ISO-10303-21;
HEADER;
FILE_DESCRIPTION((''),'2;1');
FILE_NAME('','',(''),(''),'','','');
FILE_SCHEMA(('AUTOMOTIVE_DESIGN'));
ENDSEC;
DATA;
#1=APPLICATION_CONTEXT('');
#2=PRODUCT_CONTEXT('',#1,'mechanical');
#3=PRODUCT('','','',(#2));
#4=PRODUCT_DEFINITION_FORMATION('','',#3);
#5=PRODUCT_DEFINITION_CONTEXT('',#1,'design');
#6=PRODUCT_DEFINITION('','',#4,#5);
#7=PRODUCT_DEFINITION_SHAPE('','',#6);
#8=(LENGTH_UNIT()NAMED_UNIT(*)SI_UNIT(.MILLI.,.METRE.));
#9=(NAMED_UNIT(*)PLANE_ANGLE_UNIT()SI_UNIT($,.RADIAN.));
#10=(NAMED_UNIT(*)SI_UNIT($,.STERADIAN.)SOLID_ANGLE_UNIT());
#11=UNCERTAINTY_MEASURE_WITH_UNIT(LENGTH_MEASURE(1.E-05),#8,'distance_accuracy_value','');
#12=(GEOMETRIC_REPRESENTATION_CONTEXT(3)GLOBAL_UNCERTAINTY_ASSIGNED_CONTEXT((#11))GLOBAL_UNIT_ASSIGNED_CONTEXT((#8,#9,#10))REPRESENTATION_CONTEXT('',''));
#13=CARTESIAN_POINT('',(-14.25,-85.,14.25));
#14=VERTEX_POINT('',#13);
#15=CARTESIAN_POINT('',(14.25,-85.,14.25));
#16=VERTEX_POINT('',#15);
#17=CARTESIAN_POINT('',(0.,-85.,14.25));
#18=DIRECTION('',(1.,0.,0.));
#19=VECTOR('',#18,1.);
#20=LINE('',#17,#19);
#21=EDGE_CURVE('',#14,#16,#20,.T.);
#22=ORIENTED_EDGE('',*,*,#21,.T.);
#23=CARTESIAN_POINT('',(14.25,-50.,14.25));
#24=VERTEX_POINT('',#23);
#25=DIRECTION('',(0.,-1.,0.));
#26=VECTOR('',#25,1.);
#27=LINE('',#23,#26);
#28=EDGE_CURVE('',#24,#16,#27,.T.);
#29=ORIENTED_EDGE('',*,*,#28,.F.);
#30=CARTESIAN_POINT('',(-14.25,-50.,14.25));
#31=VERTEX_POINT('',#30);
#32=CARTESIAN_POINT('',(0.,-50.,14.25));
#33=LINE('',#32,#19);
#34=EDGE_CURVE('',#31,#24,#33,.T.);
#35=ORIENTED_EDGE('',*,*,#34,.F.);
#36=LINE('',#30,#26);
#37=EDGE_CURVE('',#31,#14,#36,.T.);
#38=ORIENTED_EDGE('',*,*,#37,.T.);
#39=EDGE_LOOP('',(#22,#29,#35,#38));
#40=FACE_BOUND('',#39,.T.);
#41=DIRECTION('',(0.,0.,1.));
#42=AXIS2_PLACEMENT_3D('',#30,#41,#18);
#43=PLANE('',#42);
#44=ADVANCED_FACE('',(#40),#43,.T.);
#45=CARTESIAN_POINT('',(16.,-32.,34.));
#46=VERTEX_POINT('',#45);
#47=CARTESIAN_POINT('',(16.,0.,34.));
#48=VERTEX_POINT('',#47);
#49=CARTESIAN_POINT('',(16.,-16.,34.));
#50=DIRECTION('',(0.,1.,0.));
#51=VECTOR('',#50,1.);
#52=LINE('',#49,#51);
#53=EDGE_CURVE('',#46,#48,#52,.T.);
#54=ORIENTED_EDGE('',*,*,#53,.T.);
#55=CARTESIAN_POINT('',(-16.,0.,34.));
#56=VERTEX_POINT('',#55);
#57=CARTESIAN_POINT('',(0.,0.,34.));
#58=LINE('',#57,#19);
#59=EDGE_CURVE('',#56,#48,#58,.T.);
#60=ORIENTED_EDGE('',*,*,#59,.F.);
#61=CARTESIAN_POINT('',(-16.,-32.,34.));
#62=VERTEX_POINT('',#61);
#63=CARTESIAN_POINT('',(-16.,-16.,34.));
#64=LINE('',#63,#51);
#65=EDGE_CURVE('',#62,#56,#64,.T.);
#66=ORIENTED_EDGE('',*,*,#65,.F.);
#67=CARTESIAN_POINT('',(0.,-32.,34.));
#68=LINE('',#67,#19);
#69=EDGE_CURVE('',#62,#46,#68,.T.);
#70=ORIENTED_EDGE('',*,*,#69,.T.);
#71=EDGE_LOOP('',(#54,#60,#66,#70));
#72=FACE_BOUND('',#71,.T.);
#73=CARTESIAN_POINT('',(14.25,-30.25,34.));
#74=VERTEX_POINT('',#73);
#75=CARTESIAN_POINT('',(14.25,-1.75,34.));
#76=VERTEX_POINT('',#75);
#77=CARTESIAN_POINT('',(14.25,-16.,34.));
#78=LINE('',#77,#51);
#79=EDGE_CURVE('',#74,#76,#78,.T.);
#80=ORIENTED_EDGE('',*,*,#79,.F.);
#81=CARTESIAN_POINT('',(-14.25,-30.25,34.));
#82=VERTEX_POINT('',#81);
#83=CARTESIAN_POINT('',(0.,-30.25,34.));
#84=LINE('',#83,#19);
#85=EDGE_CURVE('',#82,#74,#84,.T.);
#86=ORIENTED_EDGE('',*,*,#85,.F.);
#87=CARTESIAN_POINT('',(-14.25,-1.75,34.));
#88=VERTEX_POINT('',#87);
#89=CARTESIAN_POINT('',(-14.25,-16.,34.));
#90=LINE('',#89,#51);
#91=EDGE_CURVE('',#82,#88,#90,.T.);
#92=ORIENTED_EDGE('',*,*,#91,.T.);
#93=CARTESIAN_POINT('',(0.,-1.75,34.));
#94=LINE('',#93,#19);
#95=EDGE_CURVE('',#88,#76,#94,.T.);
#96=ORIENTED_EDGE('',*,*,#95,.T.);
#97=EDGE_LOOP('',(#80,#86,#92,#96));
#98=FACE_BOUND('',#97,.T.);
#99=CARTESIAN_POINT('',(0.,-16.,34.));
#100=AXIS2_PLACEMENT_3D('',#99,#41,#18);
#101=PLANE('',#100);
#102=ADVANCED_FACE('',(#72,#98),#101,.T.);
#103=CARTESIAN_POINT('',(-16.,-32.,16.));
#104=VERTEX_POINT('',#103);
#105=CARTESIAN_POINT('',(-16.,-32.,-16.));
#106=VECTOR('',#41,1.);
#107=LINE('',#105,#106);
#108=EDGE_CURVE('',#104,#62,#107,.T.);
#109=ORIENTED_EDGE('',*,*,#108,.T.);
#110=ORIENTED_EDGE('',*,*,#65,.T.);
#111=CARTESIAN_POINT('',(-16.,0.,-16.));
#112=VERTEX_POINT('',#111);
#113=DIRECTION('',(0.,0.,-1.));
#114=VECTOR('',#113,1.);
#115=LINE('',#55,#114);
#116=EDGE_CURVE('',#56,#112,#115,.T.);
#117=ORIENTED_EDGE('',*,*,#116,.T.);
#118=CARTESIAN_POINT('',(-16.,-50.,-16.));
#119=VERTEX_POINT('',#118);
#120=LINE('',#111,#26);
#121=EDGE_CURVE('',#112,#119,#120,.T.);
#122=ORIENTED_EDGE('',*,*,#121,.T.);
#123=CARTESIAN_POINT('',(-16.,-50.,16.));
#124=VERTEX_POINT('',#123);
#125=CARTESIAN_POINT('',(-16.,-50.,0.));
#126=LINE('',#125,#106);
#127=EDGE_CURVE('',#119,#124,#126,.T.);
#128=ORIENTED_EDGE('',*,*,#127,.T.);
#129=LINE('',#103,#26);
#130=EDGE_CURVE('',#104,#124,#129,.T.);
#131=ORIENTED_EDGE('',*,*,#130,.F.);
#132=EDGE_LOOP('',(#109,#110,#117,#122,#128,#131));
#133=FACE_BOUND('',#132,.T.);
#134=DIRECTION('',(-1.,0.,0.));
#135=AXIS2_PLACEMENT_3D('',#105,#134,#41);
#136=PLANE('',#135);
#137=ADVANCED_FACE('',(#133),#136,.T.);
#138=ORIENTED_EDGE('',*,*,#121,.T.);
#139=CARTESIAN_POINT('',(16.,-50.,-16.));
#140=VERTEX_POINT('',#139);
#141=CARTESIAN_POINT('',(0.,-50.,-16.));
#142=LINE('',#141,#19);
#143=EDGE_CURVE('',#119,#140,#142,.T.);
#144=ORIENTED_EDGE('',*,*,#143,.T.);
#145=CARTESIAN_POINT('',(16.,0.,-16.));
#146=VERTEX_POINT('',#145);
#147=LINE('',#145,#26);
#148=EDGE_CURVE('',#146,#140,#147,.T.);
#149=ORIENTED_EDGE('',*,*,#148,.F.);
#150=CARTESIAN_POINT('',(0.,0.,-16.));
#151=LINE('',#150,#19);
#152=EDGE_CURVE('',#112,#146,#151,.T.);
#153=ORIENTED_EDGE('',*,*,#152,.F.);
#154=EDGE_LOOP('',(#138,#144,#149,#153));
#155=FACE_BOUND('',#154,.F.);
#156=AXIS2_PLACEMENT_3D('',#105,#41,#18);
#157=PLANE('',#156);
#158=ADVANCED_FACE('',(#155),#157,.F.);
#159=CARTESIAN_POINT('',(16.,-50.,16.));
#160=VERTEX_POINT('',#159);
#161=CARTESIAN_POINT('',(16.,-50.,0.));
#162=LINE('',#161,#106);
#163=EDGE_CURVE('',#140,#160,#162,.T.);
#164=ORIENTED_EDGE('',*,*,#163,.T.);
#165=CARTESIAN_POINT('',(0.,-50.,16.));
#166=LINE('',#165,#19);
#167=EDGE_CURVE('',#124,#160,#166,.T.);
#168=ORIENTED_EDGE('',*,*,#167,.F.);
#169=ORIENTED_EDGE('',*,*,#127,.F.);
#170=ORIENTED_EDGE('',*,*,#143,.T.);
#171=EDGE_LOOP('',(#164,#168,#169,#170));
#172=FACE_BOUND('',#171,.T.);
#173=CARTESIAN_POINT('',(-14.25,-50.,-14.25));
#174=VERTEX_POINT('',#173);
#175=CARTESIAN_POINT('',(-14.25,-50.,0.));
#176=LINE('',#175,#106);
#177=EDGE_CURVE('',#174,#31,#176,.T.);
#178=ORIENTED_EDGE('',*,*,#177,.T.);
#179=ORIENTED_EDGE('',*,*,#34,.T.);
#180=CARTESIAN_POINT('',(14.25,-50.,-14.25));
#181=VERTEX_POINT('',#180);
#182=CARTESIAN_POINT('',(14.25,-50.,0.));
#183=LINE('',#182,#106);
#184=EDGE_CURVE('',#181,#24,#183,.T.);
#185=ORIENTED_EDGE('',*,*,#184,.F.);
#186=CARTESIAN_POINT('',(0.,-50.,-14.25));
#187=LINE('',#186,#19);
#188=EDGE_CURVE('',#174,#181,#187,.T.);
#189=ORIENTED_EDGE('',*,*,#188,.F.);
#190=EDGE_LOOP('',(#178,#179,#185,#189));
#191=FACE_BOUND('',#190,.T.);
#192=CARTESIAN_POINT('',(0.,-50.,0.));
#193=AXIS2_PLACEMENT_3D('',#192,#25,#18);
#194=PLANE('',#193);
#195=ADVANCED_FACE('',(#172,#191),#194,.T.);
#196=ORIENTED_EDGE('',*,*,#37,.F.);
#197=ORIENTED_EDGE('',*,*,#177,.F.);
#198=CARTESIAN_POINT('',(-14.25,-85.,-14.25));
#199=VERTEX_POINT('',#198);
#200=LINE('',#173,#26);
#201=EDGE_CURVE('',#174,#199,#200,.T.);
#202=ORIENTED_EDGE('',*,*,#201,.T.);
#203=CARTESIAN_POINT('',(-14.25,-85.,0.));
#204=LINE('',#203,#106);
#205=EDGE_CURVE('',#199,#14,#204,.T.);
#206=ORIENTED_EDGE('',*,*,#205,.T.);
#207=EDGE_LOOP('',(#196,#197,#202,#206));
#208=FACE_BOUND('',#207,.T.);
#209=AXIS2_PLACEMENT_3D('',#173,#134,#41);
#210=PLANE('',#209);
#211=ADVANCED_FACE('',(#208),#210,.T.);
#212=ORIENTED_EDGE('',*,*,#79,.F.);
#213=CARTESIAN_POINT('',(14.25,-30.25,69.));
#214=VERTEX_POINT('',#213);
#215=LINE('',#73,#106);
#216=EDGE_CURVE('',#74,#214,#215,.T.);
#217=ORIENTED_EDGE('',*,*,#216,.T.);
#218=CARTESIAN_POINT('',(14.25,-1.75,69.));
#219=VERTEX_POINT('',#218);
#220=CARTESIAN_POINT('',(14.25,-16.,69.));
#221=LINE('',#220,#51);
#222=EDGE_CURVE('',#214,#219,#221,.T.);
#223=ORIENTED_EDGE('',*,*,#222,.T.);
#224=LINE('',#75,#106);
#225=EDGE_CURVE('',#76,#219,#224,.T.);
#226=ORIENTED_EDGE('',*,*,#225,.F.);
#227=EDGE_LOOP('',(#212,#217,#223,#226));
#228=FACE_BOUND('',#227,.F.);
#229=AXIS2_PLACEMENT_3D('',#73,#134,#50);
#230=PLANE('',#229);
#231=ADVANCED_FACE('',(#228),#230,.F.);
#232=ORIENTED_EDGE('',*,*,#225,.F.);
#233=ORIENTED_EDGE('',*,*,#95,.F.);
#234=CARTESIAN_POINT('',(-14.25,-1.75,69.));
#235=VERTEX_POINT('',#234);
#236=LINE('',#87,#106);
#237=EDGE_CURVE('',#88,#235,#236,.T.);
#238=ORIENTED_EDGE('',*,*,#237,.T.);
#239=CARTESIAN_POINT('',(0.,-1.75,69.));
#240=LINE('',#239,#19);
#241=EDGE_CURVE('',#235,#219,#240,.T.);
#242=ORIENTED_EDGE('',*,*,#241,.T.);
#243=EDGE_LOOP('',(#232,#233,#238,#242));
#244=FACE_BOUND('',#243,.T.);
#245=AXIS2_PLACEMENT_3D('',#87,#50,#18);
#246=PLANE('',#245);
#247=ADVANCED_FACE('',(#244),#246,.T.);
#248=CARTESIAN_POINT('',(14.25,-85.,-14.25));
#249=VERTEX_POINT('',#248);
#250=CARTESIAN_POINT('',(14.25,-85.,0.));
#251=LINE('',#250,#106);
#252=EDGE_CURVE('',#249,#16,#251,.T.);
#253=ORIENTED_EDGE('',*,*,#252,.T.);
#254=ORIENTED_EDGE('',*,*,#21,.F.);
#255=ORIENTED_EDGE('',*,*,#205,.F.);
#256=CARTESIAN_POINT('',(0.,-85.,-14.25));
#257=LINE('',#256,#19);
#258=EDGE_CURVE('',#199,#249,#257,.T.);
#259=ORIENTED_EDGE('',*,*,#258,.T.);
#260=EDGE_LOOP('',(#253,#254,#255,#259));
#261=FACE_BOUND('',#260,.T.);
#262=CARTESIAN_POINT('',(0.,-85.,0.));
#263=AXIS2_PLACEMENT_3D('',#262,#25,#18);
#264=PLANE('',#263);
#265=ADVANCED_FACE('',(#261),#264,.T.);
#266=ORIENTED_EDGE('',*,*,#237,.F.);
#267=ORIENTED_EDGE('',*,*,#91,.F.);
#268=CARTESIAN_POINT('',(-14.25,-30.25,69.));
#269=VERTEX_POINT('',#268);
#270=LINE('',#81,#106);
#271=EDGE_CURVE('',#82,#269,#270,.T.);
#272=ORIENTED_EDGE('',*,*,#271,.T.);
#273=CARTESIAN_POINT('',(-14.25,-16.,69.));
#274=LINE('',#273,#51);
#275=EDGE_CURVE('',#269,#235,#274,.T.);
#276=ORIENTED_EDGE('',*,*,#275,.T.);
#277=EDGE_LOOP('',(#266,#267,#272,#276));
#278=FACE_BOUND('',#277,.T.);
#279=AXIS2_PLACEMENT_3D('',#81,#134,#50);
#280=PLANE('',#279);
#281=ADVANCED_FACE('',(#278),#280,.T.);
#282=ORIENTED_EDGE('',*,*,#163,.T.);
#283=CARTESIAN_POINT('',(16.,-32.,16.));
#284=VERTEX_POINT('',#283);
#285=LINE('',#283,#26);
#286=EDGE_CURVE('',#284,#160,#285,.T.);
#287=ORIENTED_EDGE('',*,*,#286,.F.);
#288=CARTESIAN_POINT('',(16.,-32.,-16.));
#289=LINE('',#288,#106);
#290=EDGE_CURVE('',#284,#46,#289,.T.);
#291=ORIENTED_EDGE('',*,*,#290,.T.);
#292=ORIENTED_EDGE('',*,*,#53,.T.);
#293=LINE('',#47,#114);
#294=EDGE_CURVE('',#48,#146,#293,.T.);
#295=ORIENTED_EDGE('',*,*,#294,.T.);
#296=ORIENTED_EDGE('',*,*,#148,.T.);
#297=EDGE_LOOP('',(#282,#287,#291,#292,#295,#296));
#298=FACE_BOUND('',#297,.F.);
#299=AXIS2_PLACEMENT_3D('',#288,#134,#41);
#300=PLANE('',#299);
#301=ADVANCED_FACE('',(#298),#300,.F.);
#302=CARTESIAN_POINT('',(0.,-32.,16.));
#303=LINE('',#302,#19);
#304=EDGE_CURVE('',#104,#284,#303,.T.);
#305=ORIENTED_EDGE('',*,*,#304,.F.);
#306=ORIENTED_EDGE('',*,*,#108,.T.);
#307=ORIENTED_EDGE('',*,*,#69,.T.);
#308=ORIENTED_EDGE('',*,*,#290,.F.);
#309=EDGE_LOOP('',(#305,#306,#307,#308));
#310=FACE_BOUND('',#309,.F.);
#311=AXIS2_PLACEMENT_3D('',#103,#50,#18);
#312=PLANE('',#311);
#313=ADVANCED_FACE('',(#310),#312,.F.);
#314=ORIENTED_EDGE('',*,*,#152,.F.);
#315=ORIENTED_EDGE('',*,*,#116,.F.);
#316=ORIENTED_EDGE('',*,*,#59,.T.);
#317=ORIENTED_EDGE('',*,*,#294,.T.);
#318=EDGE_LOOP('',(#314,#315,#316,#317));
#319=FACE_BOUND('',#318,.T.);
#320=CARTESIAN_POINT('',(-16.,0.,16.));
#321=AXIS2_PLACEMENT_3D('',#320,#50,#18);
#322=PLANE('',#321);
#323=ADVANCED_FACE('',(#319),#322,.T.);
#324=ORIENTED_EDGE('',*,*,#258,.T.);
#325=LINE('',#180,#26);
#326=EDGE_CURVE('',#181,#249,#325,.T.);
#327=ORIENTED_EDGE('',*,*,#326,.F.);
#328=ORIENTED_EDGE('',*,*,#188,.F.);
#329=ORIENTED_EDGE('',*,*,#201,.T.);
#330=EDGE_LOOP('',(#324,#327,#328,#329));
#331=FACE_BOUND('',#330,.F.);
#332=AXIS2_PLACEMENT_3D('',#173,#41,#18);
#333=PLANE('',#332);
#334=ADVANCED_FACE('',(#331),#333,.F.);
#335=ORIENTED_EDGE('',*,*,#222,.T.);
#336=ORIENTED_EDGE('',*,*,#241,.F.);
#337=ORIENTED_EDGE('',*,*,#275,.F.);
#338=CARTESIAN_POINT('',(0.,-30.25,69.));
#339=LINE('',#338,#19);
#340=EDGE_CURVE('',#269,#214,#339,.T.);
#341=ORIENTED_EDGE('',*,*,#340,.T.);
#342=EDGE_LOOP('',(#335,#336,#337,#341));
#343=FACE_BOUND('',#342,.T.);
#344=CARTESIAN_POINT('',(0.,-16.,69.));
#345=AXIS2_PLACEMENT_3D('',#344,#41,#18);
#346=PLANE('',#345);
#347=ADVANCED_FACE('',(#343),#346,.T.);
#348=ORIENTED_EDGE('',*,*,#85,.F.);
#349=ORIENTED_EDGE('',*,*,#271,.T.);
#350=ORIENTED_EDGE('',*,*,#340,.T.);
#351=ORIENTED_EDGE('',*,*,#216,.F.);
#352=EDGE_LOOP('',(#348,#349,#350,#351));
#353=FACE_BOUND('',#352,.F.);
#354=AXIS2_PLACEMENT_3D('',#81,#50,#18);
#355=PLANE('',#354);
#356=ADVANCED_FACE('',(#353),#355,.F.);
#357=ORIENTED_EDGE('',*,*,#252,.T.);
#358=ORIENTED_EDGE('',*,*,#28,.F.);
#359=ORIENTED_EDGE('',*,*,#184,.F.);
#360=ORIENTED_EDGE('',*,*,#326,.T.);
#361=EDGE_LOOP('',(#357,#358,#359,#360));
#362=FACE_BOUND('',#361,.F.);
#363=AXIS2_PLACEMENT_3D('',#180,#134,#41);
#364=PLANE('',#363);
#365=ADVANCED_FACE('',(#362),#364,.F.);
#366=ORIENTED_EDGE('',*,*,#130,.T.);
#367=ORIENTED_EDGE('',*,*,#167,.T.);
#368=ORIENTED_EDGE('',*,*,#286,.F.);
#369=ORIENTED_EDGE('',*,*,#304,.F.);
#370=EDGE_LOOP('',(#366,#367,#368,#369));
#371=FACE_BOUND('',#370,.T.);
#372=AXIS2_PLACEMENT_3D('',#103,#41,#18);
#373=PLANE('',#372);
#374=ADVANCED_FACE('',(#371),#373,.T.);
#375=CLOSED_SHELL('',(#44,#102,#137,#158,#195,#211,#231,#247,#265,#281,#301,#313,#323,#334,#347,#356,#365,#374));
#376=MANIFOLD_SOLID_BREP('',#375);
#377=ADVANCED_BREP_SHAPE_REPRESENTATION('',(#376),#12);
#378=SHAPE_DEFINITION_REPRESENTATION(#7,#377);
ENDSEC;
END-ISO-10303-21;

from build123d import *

# Parameters (mm, degrees)
F0_W     = 32
F0_H     = 32
F1_DEPTH = 32
F2_W     = 32
F2_H     = 32
F3_DEPTH = 18
F4_W     = 32
F4_H     = 32
F5_DEPTH = 18
F6_W     = 28.5
F6_H     = 28.5
F7_DEPTH = 35
F8_W     = 28.5
F8_H     = 28.5
F9_DEPTH = 35


with BuildPart() as f1:
    # F0 (on Front) → F1 (new body)
    with BuildSketch(Plane.XZ):
        Rectangle(F0_W, F0_H)
    extrude(amount=F1_DEPTH)

    # F2 (on face) → F3 (join)
    with BuildSketch(Plane.XY.offset(16)):
        with Locations((0, -16)):
            Rectangle(F2_W, F2_H)
    extrude(amount=F3_DEPTH)

    # F4 (on face) → F5 (join)
    with BuildSketch(Plane.XZ.offset(32)):
        Rectangle(F4_W, F4_H)
    extrude(amount=F5_DEPTH)

    # F6 (on face) → F7 (join)
    with BuildSketch(Plane.XY.offset(34)):
        with Locations((0, -16)):
            Rectangle(F6_W, F6_H)
    extrude(amount=F7_DEPTH)

    # F8 (on face) → F9 (join)
    with BuildSketch(Plane.XZ.offset(50)):
        Rectangle(F8_W, F8_H)
    extrude(amount=F9_DEPTH)


solid = f1.part
